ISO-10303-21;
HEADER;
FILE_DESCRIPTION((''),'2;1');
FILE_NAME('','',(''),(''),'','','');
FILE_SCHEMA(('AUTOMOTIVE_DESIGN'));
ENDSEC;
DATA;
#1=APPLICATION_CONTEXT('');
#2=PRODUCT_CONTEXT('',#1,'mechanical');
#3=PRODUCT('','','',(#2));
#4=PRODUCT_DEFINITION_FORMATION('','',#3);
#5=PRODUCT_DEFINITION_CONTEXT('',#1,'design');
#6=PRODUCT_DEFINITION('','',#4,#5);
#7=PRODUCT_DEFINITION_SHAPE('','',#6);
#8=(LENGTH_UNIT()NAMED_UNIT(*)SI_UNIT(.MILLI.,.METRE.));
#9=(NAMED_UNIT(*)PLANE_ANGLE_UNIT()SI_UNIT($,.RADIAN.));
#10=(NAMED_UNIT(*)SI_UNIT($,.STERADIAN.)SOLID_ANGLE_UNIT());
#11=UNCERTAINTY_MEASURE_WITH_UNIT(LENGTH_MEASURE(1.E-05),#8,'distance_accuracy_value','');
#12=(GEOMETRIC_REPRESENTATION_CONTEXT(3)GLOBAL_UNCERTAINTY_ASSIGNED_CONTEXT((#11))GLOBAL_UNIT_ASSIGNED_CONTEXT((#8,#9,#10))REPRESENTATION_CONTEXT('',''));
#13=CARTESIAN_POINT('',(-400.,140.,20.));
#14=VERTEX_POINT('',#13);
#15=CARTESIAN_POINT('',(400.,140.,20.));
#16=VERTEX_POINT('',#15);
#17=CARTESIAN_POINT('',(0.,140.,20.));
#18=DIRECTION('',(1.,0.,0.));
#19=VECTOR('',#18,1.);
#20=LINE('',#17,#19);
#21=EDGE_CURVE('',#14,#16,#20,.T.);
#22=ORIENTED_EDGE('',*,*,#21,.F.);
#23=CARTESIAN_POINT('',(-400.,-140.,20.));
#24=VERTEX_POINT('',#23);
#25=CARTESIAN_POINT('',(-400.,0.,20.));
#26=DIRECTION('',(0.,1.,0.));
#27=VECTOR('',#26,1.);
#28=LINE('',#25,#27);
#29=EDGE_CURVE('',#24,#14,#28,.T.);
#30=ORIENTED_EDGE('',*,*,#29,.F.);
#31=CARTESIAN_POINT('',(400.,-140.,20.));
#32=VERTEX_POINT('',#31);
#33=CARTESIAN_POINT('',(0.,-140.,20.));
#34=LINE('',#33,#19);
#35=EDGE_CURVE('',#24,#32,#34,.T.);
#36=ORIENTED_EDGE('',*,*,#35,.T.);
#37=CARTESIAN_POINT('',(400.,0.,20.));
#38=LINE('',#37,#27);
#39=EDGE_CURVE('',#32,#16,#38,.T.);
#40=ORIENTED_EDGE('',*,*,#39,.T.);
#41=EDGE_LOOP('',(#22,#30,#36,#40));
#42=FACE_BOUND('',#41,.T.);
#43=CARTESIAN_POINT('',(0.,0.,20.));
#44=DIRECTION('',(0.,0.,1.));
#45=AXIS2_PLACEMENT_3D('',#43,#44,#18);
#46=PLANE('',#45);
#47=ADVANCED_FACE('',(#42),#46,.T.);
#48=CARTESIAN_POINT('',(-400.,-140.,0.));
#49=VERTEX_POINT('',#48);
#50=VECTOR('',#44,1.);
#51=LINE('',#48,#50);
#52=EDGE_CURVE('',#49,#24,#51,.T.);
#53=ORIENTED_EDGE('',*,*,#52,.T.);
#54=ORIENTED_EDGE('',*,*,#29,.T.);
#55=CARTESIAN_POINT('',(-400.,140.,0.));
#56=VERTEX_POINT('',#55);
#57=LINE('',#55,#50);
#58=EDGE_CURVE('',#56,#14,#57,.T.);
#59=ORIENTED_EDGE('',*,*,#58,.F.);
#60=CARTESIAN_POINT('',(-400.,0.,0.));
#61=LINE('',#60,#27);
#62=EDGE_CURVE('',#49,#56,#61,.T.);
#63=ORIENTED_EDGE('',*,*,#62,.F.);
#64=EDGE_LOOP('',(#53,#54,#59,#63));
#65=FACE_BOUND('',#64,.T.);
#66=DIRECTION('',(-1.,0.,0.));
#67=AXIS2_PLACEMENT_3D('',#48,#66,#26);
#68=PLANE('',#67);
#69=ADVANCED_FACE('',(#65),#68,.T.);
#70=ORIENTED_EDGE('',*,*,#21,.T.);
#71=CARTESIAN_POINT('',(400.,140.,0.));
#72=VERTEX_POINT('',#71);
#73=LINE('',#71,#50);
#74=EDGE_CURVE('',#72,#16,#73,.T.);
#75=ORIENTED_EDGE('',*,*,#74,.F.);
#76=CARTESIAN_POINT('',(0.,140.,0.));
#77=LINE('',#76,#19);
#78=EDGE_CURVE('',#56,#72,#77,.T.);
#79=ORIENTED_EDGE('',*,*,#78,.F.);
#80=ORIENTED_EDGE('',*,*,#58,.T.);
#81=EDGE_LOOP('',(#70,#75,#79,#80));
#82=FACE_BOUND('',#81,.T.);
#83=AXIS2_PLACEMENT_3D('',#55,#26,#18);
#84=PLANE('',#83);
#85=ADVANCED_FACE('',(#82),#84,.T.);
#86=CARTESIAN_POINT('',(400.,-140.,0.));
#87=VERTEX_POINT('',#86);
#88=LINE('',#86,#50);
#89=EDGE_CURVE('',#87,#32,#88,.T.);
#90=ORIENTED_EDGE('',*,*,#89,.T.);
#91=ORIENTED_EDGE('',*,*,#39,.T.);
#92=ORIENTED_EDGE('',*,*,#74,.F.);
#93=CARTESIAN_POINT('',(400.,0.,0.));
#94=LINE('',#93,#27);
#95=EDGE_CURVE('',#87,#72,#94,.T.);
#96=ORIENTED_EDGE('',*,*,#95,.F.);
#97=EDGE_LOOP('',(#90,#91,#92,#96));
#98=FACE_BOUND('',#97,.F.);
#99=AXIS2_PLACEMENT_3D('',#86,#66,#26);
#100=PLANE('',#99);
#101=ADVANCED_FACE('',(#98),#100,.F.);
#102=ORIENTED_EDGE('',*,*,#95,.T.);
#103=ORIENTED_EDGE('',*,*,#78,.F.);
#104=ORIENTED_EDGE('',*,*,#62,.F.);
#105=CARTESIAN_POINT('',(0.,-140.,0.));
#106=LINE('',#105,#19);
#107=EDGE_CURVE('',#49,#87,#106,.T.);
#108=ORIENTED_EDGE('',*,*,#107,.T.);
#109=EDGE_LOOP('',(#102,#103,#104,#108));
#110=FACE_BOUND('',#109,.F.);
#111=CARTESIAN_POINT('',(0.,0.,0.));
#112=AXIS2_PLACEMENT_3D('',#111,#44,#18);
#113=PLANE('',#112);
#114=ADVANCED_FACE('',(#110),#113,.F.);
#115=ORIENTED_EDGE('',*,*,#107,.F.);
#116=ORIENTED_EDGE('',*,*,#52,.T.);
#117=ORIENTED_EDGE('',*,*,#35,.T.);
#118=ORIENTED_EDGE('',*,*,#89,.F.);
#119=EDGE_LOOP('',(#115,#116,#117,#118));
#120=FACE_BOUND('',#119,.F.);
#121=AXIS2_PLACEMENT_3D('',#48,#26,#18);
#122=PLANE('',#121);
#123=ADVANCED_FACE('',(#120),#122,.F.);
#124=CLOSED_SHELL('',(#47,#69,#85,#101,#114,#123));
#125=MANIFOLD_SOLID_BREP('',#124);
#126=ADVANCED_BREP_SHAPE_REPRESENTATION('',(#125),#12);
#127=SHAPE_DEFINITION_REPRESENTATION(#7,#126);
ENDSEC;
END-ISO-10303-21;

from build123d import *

# Parameters (mm, degrees)
SKETCH_W  = 800
SKETCH_H  = 280
PAD_DEPTH = 20


with BuildPart() as part:
    # Sketch → Pad (new body)
    with BuildSketch(Plane.XY):
        Rectangle(SKETCH_W, SKETCH_H)
    extrude(amount=PAD_DEPTH)


solid = part.part
